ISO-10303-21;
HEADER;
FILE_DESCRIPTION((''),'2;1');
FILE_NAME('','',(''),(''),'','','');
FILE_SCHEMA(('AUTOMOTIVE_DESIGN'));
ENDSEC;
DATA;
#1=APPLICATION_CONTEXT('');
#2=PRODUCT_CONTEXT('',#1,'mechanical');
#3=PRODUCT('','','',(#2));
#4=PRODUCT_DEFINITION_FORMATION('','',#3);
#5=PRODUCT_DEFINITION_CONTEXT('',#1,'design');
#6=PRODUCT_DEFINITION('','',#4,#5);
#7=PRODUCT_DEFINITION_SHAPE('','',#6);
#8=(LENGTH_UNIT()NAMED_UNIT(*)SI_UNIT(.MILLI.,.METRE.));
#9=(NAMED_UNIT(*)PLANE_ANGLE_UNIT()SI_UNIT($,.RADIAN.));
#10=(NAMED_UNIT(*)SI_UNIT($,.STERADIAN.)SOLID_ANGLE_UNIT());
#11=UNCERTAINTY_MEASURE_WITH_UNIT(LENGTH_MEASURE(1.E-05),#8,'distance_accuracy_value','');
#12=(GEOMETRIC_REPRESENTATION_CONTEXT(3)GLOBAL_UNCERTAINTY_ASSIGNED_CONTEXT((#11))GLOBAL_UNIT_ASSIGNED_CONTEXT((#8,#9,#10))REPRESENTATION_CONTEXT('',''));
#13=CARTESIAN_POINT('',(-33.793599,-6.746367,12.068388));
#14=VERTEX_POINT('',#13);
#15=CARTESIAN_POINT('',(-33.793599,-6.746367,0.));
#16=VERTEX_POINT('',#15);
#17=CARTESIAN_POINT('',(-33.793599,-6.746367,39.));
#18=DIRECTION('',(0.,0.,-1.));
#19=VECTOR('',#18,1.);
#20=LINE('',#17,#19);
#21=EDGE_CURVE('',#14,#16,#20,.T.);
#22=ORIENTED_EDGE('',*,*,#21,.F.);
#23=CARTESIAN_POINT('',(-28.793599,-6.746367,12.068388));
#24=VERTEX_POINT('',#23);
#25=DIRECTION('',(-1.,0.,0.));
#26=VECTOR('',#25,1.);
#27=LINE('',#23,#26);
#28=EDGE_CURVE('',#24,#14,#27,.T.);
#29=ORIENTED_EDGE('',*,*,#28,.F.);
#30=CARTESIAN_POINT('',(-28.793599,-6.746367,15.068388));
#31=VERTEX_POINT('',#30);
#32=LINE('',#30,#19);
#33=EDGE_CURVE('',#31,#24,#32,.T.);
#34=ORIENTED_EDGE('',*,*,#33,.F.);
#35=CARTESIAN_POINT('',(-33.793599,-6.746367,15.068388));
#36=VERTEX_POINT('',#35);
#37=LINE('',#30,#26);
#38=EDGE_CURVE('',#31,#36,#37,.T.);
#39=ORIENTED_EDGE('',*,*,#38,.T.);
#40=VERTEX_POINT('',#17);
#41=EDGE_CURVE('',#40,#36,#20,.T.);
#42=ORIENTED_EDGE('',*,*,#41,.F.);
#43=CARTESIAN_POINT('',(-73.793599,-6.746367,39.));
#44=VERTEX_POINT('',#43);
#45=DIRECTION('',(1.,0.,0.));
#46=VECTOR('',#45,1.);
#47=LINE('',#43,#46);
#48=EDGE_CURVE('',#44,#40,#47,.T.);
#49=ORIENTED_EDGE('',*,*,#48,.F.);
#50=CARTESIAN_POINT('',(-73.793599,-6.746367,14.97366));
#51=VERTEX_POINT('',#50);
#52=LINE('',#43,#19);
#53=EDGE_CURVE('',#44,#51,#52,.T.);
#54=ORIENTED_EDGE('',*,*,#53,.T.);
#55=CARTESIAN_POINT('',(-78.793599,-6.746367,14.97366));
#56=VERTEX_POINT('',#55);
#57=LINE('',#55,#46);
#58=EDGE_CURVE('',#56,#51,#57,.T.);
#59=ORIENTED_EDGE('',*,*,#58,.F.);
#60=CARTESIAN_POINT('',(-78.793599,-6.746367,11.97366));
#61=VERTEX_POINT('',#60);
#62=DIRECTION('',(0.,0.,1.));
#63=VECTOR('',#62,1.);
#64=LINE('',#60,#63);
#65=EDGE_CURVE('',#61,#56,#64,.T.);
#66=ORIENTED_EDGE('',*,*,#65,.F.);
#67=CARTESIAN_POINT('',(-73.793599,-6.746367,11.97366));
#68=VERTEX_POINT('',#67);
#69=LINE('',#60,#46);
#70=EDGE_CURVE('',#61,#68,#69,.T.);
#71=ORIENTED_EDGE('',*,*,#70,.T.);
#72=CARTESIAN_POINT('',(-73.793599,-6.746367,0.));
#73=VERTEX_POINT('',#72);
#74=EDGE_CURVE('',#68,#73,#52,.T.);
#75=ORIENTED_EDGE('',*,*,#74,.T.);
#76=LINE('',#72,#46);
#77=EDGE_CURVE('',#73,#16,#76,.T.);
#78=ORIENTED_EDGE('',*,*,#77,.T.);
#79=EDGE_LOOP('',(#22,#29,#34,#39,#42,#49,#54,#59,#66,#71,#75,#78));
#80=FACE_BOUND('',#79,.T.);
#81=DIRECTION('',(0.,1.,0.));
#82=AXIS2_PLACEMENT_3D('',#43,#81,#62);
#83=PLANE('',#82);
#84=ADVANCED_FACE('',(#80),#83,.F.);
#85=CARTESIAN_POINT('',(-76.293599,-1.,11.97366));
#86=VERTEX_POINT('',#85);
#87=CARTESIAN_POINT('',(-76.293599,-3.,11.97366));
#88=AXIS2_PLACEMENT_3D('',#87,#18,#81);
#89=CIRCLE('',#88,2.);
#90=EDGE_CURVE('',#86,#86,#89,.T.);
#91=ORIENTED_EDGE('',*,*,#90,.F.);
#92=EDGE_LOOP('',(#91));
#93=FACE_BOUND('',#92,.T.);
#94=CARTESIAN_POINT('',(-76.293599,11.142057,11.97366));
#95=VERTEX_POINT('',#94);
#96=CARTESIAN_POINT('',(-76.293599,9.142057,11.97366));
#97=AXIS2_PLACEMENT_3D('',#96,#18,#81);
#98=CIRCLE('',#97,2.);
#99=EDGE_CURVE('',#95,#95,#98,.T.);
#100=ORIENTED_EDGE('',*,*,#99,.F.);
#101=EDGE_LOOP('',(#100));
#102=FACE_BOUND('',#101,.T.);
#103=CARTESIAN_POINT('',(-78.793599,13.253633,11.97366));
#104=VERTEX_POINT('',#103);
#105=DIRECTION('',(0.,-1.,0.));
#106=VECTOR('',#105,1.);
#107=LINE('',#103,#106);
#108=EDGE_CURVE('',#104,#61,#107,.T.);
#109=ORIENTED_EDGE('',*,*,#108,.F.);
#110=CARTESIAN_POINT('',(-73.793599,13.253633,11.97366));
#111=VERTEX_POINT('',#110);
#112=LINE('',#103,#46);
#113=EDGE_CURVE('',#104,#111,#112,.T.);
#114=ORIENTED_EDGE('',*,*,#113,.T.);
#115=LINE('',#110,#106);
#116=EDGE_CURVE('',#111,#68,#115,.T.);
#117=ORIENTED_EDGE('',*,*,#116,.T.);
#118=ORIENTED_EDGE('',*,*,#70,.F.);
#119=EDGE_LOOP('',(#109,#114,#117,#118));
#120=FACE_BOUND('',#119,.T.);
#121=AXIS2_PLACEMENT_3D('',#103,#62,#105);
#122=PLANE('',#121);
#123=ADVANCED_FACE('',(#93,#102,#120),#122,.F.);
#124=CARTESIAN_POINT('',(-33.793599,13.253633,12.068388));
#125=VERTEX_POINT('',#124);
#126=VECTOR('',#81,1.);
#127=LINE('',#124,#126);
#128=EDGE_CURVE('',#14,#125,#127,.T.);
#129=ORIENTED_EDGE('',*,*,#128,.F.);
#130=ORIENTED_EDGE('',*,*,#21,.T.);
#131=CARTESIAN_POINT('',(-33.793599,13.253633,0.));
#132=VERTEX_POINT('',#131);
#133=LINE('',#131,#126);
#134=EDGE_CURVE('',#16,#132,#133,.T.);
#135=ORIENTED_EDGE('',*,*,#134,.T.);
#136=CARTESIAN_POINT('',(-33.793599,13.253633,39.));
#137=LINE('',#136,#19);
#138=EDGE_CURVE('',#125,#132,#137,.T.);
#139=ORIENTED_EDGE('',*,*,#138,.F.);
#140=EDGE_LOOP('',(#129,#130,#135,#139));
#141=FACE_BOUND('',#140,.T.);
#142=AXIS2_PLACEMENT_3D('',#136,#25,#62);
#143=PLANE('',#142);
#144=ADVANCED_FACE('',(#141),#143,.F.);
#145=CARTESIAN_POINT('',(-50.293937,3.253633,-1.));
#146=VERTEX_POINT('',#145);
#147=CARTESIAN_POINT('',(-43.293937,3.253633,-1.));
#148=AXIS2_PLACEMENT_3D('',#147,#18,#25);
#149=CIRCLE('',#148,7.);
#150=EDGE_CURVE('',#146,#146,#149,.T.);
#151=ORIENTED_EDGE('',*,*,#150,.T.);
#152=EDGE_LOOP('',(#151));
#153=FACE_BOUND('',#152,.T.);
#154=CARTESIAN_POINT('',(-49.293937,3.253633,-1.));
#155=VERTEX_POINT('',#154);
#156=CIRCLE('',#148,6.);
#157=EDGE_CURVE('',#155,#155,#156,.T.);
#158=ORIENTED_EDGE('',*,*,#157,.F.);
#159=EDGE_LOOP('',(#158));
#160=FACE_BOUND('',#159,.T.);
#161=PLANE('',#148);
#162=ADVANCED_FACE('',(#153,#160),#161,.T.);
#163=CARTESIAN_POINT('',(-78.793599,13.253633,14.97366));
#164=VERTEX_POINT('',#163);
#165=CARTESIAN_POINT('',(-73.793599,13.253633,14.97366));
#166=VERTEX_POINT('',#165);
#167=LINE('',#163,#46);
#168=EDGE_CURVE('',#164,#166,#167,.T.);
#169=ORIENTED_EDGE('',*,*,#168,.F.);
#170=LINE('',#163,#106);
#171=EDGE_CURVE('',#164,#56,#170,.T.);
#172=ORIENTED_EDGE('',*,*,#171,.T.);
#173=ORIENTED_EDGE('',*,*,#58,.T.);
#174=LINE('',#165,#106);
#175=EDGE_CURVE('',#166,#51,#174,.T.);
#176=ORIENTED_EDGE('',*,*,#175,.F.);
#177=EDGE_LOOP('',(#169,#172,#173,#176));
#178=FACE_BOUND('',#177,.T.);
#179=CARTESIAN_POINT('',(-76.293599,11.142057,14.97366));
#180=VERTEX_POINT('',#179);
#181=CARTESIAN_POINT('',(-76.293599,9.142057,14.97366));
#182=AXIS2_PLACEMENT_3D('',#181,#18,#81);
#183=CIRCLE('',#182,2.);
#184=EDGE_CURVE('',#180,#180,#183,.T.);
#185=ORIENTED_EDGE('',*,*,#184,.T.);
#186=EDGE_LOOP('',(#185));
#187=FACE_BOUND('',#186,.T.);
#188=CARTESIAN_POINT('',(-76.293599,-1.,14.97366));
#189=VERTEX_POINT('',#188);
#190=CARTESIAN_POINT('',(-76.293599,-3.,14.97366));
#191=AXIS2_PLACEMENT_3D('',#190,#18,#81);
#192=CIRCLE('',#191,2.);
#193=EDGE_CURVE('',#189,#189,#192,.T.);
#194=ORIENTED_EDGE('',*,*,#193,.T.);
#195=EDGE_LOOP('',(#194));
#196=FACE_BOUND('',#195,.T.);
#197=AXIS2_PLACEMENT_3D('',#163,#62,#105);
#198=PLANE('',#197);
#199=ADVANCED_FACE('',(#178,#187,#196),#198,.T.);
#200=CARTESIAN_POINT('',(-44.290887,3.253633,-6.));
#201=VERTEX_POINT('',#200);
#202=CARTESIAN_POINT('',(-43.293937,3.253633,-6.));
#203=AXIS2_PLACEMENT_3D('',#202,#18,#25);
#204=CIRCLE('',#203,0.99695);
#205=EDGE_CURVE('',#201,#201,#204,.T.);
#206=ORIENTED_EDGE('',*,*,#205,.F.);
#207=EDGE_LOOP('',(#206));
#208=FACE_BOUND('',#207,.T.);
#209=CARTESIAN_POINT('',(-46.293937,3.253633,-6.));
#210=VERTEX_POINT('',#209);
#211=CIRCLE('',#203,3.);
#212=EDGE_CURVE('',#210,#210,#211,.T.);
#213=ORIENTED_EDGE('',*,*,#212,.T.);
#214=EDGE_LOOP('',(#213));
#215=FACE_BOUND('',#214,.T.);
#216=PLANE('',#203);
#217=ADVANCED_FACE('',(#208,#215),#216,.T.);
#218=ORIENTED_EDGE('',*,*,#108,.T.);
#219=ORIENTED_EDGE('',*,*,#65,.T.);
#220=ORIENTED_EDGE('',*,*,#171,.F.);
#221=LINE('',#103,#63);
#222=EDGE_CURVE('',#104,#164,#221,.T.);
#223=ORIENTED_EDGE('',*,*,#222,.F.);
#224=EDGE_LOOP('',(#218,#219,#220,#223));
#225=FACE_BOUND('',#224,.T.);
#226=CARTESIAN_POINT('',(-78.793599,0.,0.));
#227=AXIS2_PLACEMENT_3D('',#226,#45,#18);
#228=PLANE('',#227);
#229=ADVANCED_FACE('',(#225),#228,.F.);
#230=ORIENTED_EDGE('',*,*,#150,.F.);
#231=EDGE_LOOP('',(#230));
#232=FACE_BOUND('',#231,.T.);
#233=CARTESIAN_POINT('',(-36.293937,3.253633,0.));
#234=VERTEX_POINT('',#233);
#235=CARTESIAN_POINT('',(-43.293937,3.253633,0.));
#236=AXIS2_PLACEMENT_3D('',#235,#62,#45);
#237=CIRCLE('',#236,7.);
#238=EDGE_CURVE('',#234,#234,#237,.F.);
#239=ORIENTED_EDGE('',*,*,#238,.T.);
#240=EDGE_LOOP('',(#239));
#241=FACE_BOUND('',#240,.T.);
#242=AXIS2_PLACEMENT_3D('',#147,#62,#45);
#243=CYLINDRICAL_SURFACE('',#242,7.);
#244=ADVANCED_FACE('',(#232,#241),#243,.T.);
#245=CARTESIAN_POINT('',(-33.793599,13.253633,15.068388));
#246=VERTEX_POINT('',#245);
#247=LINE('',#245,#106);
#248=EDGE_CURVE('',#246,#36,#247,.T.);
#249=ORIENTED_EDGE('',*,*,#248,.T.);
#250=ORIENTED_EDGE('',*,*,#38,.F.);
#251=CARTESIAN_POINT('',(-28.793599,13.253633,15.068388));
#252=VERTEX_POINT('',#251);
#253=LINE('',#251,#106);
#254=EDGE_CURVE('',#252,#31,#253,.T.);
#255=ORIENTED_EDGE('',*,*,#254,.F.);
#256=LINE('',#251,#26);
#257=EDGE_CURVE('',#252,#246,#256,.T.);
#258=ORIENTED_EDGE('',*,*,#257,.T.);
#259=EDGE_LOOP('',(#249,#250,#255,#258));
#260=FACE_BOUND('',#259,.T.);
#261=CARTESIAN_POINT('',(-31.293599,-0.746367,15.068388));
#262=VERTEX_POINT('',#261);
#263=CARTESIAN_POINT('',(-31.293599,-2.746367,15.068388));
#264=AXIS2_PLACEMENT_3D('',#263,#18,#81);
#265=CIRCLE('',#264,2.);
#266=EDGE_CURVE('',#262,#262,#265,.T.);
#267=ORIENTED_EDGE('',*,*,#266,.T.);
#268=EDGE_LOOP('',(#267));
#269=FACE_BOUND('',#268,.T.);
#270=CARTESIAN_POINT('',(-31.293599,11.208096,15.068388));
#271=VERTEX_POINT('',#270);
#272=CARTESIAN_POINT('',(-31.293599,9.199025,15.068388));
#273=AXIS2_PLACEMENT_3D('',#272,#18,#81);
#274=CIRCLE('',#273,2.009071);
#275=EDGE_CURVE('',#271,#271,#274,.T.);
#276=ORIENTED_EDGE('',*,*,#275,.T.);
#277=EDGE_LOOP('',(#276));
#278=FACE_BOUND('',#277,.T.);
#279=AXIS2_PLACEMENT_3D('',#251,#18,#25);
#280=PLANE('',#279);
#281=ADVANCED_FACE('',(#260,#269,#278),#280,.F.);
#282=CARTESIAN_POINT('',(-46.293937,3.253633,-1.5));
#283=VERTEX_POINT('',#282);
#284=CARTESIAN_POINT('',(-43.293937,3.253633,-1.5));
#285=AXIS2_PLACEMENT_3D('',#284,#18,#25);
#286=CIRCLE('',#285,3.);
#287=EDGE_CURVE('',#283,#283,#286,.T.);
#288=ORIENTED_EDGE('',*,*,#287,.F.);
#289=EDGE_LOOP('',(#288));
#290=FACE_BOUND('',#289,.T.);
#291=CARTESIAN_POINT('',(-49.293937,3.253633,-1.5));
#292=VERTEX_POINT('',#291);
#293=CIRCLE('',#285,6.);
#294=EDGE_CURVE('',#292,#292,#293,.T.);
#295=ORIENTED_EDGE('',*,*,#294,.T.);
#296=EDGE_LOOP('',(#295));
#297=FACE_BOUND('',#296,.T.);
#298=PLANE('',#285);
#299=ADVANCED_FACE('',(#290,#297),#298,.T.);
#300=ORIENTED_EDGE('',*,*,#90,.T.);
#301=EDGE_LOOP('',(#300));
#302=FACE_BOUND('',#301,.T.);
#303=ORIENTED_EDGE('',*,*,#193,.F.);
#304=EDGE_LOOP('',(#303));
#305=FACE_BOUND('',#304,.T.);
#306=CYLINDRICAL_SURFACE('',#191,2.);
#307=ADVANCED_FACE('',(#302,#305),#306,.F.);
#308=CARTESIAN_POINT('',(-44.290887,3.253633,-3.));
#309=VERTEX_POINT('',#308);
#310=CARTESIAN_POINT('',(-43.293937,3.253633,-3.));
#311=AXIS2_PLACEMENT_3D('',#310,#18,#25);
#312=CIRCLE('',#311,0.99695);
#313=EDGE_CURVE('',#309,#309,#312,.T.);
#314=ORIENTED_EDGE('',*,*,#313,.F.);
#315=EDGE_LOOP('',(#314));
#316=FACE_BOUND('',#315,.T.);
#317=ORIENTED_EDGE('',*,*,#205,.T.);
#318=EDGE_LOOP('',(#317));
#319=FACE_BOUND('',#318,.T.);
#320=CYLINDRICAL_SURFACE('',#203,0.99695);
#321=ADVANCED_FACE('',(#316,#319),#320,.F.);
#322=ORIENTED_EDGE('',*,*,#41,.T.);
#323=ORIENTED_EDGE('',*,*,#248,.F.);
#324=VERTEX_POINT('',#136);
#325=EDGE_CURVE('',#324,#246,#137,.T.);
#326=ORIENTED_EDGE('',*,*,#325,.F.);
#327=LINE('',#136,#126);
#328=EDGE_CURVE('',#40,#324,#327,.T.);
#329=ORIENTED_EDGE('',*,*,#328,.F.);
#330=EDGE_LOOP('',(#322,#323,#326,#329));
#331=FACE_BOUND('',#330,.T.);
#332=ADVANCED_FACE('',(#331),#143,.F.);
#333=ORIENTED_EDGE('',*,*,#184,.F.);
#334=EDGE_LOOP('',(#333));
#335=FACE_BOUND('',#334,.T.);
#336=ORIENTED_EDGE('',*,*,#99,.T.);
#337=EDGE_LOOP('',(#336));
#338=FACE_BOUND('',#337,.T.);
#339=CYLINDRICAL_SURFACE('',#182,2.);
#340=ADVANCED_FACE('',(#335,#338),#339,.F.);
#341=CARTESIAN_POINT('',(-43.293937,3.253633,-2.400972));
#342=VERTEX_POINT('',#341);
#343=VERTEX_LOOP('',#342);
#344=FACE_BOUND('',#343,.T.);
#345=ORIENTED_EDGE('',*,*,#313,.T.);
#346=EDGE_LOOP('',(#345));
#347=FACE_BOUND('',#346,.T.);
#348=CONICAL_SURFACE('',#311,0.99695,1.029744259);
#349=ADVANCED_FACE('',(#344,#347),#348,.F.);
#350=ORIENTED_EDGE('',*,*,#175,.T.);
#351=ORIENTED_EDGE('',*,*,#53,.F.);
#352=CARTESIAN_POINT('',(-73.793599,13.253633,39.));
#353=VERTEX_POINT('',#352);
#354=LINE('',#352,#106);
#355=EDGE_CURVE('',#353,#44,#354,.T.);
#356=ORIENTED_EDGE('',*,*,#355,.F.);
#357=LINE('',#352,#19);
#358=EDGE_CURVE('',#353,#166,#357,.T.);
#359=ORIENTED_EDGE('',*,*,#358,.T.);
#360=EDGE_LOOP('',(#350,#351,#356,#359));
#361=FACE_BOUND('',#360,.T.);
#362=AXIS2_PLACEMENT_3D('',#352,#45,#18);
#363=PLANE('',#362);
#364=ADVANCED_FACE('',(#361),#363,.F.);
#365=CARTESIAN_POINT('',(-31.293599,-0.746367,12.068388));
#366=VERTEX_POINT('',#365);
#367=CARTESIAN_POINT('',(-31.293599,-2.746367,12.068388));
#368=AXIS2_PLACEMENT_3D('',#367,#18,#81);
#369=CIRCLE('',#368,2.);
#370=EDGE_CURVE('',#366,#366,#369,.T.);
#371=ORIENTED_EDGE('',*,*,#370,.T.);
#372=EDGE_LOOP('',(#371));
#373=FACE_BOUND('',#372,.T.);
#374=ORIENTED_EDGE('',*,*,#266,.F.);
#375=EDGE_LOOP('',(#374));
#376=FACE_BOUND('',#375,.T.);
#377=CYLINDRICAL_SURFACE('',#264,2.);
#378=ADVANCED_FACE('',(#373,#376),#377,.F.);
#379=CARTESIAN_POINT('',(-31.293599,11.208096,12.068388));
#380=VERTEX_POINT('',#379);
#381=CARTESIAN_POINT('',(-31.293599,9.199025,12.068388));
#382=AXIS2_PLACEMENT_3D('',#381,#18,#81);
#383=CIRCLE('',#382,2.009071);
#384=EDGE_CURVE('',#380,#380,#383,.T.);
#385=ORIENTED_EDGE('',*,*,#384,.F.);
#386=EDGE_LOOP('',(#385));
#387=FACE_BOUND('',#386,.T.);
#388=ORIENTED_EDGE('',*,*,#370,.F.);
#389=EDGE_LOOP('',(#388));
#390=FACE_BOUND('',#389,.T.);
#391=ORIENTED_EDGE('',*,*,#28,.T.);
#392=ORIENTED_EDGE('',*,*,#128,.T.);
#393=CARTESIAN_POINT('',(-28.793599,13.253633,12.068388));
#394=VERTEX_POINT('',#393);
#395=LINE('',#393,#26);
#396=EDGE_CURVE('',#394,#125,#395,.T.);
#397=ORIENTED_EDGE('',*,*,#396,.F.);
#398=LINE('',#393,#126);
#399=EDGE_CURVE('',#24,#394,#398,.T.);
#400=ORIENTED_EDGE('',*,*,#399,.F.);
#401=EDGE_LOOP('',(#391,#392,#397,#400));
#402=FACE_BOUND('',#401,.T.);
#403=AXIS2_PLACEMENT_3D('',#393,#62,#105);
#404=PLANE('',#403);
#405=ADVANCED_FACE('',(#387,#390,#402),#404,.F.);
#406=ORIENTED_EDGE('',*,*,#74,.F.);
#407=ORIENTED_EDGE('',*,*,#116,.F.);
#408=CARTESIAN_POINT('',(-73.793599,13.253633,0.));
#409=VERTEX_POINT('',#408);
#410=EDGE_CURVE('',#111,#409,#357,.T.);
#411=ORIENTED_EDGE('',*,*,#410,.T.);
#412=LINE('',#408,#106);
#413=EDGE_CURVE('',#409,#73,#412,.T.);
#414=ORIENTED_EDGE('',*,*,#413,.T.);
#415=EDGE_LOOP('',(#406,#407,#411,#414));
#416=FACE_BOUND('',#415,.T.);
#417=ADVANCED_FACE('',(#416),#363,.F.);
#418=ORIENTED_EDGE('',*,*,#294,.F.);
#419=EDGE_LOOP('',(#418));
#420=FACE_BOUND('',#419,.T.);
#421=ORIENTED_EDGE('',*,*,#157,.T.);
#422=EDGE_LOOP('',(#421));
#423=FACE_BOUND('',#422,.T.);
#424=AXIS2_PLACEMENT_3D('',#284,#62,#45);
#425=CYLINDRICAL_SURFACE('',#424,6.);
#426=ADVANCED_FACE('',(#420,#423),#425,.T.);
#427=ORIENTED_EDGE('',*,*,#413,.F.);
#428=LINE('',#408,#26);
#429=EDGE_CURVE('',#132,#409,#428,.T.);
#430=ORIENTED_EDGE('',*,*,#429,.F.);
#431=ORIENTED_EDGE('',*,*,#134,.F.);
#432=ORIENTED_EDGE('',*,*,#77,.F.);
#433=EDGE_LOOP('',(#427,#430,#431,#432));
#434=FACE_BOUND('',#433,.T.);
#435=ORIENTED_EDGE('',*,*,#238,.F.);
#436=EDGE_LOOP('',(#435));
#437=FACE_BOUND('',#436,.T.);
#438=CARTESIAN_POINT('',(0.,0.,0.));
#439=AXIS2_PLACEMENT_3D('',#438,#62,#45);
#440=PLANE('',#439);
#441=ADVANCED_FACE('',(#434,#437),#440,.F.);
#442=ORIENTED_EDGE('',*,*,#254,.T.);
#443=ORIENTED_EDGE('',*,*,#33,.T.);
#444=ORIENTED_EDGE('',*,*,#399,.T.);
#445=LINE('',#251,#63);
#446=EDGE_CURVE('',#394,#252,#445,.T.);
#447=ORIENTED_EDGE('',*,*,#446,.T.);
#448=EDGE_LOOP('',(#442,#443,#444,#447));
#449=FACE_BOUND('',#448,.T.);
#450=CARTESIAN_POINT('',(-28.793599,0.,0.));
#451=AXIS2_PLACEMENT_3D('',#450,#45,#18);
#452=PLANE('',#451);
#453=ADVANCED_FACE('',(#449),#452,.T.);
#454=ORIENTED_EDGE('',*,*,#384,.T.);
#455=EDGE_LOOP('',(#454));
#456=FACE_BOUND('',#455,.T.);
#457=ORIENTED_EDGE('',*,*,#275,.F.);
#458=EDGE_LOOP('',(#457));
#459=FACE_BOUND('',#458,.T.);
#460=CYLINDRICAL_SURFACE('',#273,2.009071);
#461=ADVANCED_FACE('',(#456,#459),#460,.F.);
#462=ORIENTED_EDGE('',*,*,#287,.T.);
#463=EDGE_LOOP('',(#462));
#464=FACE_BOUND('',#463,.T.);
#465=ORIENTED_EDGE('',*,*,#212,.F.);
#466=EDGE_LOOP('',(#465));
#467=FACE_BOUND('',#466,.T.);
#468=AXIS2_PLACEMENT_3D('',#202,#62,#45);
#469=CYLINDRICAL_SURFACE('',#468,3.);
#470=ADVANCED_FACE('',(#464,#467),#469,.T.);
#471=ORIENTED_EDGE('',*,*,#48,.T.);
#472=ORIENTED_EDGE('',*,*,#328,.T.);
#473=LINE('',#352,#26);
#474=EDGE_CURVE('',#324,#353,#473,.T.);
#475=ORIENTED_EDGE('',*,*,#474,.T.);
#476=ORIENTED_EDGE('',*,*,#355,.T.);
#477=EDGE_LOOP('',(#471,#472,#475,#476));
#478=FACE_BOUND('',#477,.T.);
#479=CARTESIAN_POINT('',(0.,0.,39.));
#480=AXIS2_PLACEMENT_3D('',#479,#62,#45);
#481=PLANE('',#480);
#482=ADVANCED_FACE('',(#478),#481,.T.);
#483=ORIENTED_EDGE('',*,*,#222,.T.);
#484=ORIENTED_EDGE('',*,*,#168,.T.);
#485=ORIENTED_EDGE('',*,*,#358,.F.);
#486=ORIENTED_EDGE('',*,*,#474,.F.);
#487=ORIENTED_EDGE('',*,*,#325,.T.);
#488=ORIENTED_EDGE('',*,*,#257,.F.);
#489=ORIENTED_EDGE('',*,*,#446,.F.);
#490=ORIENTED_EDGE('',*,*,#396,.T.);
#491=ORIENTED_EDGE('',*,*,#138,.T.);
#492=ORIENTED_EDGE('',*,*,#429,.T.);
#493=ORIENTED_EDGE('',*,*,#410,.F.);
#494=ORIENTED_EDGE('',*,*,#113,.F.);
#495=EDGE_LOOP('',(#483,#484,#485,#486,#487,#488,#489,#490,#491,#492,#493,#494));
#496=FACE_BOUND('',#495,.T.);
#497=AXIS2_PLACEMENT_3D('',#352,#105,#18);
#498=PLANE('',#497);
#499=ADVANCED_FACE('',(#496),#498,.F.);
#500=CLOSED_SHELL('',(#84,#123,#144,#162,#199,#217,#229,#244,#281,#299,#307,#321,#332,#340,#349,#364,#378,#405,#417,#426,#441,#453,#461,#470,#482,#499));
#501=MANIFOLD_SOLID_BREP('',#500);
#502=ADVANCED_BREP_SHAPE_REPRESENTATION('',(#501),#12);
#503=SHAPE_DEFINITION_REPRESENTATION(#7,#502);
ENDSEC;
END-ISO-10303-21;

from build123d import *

# Parameters (mm, degrees)
SKETCH_3_W               = 40
SKETCH_3_H               = 20
EXTRUDE_2_DEPTH          = 39
SKETCH_4_W               = 3
SKETCH_4_H               = 20
EXTRUDE_3_DEPTH          = 5
SKETCH_7_W               = 3
SKETCH_7_H               = 20
EXTRUDE_4_DEPTH          = 5
SKETCH_9_R               = 2
CUT_EXTRUDE_1_DEPTH      = 3
SKETCH_10_R              = 2.009071102
SKETCH_10_R_2            = 2
CUT_EXTRUDE_2_DEPTH      = 3
SKETCH_11_R              = 3
EXTRUDE_6_DEPTH          = 6
SKETCH_16_R              = 6
EXTRUDE_8_DEPTH          = 1.5
SKETCH_17_R              = 7
EXTRUDE_9_DEPTH          = 1
HOLE_WIZARD_3_48_1_D     = 1.9939
HOLE_WIZARD_3_48_1_DEPTH = 3
HOLE_WIZARD_3_48_1_TIP   = 0.599027994


with BuildPart() as part:
    # 草图3 → 凸台-拉伸2 (new body)
    with BuildSketch(Plane.XY):
        with Locations((-53.793598947, 3.253632602)):
            Rectangle(SKETCH_3_W, SKETCH_3_H)
    extrude(amount=EXTRUDE_2_DEPTH)

    # 草图4 → 凸台-拉伸3 (add)
    with BuildSketch(Plane(origin=(-33.793598947, 0, 0), x_dir=(0, 0, -1), z_dir=(1, 0, 0))):
        with Locations((-13.568387962, 3.253632602)):
            Rectangle(SKETCH_4_W, SKETCH_4_H)
    extrude(amount=EXTRUDE_3_DEPTH)

    # 草图7 → 凸台-拉伸4 (add)
    with BuildSketch(Plane.ZY.offset(73.793598947)):
        with Locations((13.473660247, 3.253632602)):
            Rectangle(SKETCH_7_W, SKETCH_7_H)
    extrude(amount=EXTRUDE_4_DEPTH)

    # 草图9 → 切除-拉伸1 (cut)
    with BuildSketch(Plane(origin=(0, 0, 11.973660247), x_dir=(-1, 0, 0), z_dir=(0, 0, -1))):
        with Locations(Location((76.293598947, 9.142056697, 0), (0, 0, 90))):
            Circle(SKETCH_9_R)
        with Locations(Location((76.293598947, -3, 0), (0, 0, 90))):
            Circle(SKETCH_9_R)
    extrude(amount=-CUT_EXTRUDE_1_DEPTH, mode=Mode.SUBTRACT)

    # 草图10 → 切除-拉伸2 (cut)
    with BuildSketch(Plane(origin=(0, 0, 12.068387962), x_dir=(-1, 0, 0), z_dir=(0, 0, -1))):
        with Locations(Location((31.293598947, 9.199024835, 0), (0, 0, 90))):
            Circle(SKETCH_10_R)
        with Locations(Location((31.293598947, -2.746367398, 0), (0, 0, 90))):
            Circle(SKETCH_10_R_2)
    extrude(amount=-CUT_EXTRUDE_2_DEPTH, mode=Mode.SUBTRACT)

    # 草图11 → 凸台-拉伸6 (add)
    with BuildSketch(Plane(origin=(0, 0, 0), x_dir=(-1, 0, 0), z_dir=(0, 0, -1))):
        with Locations(Location((43.293936899, 3.253632602, 0), (0, 0, 180))):
            Circle(SKETCH_11_R)
    extrude(amount=EXTRUDE_6_DEPTH)

    # 草图16 → 凸台-拉伸8 (add)
    with BuildSketch(Plane(origin=(0, 0, 0), x_dir=(-1, 0, 0), z_dir=(0, 0, -1))):
        with Locations(Location((43.293936899, 3.253632602, 0), (0, 0, 180))):
            Circle(SKETCH_16_R)
    extrude(amount=EXTRUDE_8_DEPTH)

    # 草图17 → 凸台-拉伸9 (add)
    with BuildSketch(Plane(origin=(0, 0, 0), x_dir=(-1, 0, 0), z_dir=(0, 0, -1))):
        with Locations(Location((43.293936899, 3.253632602, 0), (0, 0, 180))):
            Circle(SKETCH_17_R)
    extrude(amount=EXTRUDE_9_DEPTH)

    # #3-48 螺纹孔的螺纹孔钻头1
    with Locations(Plane(origin=(0, 0, -6), x_dir=(-1, 0, 0), z_dir=(0, 0, -1))):
        with Locations((43.293936899, 3.253632602)):
            Hole(HOLE_WIZARD_3_48_1_D / 2, depth=HOLE_WIZARD_3_48_1_DEPTH)
            with Locations((0, 0, -(HOLE_WIZARD_3_48_1_DEPTH + HOLE_WIZARD_3_48_1_TIP / 2))):  # 118° drill point
                Cone(0, HOLE_WIZARD_3_48_1_D / 2, HOLE_WIZARD_3_48_1_TIP, mode=Mode.SUBTRACT)


solid = part.part
